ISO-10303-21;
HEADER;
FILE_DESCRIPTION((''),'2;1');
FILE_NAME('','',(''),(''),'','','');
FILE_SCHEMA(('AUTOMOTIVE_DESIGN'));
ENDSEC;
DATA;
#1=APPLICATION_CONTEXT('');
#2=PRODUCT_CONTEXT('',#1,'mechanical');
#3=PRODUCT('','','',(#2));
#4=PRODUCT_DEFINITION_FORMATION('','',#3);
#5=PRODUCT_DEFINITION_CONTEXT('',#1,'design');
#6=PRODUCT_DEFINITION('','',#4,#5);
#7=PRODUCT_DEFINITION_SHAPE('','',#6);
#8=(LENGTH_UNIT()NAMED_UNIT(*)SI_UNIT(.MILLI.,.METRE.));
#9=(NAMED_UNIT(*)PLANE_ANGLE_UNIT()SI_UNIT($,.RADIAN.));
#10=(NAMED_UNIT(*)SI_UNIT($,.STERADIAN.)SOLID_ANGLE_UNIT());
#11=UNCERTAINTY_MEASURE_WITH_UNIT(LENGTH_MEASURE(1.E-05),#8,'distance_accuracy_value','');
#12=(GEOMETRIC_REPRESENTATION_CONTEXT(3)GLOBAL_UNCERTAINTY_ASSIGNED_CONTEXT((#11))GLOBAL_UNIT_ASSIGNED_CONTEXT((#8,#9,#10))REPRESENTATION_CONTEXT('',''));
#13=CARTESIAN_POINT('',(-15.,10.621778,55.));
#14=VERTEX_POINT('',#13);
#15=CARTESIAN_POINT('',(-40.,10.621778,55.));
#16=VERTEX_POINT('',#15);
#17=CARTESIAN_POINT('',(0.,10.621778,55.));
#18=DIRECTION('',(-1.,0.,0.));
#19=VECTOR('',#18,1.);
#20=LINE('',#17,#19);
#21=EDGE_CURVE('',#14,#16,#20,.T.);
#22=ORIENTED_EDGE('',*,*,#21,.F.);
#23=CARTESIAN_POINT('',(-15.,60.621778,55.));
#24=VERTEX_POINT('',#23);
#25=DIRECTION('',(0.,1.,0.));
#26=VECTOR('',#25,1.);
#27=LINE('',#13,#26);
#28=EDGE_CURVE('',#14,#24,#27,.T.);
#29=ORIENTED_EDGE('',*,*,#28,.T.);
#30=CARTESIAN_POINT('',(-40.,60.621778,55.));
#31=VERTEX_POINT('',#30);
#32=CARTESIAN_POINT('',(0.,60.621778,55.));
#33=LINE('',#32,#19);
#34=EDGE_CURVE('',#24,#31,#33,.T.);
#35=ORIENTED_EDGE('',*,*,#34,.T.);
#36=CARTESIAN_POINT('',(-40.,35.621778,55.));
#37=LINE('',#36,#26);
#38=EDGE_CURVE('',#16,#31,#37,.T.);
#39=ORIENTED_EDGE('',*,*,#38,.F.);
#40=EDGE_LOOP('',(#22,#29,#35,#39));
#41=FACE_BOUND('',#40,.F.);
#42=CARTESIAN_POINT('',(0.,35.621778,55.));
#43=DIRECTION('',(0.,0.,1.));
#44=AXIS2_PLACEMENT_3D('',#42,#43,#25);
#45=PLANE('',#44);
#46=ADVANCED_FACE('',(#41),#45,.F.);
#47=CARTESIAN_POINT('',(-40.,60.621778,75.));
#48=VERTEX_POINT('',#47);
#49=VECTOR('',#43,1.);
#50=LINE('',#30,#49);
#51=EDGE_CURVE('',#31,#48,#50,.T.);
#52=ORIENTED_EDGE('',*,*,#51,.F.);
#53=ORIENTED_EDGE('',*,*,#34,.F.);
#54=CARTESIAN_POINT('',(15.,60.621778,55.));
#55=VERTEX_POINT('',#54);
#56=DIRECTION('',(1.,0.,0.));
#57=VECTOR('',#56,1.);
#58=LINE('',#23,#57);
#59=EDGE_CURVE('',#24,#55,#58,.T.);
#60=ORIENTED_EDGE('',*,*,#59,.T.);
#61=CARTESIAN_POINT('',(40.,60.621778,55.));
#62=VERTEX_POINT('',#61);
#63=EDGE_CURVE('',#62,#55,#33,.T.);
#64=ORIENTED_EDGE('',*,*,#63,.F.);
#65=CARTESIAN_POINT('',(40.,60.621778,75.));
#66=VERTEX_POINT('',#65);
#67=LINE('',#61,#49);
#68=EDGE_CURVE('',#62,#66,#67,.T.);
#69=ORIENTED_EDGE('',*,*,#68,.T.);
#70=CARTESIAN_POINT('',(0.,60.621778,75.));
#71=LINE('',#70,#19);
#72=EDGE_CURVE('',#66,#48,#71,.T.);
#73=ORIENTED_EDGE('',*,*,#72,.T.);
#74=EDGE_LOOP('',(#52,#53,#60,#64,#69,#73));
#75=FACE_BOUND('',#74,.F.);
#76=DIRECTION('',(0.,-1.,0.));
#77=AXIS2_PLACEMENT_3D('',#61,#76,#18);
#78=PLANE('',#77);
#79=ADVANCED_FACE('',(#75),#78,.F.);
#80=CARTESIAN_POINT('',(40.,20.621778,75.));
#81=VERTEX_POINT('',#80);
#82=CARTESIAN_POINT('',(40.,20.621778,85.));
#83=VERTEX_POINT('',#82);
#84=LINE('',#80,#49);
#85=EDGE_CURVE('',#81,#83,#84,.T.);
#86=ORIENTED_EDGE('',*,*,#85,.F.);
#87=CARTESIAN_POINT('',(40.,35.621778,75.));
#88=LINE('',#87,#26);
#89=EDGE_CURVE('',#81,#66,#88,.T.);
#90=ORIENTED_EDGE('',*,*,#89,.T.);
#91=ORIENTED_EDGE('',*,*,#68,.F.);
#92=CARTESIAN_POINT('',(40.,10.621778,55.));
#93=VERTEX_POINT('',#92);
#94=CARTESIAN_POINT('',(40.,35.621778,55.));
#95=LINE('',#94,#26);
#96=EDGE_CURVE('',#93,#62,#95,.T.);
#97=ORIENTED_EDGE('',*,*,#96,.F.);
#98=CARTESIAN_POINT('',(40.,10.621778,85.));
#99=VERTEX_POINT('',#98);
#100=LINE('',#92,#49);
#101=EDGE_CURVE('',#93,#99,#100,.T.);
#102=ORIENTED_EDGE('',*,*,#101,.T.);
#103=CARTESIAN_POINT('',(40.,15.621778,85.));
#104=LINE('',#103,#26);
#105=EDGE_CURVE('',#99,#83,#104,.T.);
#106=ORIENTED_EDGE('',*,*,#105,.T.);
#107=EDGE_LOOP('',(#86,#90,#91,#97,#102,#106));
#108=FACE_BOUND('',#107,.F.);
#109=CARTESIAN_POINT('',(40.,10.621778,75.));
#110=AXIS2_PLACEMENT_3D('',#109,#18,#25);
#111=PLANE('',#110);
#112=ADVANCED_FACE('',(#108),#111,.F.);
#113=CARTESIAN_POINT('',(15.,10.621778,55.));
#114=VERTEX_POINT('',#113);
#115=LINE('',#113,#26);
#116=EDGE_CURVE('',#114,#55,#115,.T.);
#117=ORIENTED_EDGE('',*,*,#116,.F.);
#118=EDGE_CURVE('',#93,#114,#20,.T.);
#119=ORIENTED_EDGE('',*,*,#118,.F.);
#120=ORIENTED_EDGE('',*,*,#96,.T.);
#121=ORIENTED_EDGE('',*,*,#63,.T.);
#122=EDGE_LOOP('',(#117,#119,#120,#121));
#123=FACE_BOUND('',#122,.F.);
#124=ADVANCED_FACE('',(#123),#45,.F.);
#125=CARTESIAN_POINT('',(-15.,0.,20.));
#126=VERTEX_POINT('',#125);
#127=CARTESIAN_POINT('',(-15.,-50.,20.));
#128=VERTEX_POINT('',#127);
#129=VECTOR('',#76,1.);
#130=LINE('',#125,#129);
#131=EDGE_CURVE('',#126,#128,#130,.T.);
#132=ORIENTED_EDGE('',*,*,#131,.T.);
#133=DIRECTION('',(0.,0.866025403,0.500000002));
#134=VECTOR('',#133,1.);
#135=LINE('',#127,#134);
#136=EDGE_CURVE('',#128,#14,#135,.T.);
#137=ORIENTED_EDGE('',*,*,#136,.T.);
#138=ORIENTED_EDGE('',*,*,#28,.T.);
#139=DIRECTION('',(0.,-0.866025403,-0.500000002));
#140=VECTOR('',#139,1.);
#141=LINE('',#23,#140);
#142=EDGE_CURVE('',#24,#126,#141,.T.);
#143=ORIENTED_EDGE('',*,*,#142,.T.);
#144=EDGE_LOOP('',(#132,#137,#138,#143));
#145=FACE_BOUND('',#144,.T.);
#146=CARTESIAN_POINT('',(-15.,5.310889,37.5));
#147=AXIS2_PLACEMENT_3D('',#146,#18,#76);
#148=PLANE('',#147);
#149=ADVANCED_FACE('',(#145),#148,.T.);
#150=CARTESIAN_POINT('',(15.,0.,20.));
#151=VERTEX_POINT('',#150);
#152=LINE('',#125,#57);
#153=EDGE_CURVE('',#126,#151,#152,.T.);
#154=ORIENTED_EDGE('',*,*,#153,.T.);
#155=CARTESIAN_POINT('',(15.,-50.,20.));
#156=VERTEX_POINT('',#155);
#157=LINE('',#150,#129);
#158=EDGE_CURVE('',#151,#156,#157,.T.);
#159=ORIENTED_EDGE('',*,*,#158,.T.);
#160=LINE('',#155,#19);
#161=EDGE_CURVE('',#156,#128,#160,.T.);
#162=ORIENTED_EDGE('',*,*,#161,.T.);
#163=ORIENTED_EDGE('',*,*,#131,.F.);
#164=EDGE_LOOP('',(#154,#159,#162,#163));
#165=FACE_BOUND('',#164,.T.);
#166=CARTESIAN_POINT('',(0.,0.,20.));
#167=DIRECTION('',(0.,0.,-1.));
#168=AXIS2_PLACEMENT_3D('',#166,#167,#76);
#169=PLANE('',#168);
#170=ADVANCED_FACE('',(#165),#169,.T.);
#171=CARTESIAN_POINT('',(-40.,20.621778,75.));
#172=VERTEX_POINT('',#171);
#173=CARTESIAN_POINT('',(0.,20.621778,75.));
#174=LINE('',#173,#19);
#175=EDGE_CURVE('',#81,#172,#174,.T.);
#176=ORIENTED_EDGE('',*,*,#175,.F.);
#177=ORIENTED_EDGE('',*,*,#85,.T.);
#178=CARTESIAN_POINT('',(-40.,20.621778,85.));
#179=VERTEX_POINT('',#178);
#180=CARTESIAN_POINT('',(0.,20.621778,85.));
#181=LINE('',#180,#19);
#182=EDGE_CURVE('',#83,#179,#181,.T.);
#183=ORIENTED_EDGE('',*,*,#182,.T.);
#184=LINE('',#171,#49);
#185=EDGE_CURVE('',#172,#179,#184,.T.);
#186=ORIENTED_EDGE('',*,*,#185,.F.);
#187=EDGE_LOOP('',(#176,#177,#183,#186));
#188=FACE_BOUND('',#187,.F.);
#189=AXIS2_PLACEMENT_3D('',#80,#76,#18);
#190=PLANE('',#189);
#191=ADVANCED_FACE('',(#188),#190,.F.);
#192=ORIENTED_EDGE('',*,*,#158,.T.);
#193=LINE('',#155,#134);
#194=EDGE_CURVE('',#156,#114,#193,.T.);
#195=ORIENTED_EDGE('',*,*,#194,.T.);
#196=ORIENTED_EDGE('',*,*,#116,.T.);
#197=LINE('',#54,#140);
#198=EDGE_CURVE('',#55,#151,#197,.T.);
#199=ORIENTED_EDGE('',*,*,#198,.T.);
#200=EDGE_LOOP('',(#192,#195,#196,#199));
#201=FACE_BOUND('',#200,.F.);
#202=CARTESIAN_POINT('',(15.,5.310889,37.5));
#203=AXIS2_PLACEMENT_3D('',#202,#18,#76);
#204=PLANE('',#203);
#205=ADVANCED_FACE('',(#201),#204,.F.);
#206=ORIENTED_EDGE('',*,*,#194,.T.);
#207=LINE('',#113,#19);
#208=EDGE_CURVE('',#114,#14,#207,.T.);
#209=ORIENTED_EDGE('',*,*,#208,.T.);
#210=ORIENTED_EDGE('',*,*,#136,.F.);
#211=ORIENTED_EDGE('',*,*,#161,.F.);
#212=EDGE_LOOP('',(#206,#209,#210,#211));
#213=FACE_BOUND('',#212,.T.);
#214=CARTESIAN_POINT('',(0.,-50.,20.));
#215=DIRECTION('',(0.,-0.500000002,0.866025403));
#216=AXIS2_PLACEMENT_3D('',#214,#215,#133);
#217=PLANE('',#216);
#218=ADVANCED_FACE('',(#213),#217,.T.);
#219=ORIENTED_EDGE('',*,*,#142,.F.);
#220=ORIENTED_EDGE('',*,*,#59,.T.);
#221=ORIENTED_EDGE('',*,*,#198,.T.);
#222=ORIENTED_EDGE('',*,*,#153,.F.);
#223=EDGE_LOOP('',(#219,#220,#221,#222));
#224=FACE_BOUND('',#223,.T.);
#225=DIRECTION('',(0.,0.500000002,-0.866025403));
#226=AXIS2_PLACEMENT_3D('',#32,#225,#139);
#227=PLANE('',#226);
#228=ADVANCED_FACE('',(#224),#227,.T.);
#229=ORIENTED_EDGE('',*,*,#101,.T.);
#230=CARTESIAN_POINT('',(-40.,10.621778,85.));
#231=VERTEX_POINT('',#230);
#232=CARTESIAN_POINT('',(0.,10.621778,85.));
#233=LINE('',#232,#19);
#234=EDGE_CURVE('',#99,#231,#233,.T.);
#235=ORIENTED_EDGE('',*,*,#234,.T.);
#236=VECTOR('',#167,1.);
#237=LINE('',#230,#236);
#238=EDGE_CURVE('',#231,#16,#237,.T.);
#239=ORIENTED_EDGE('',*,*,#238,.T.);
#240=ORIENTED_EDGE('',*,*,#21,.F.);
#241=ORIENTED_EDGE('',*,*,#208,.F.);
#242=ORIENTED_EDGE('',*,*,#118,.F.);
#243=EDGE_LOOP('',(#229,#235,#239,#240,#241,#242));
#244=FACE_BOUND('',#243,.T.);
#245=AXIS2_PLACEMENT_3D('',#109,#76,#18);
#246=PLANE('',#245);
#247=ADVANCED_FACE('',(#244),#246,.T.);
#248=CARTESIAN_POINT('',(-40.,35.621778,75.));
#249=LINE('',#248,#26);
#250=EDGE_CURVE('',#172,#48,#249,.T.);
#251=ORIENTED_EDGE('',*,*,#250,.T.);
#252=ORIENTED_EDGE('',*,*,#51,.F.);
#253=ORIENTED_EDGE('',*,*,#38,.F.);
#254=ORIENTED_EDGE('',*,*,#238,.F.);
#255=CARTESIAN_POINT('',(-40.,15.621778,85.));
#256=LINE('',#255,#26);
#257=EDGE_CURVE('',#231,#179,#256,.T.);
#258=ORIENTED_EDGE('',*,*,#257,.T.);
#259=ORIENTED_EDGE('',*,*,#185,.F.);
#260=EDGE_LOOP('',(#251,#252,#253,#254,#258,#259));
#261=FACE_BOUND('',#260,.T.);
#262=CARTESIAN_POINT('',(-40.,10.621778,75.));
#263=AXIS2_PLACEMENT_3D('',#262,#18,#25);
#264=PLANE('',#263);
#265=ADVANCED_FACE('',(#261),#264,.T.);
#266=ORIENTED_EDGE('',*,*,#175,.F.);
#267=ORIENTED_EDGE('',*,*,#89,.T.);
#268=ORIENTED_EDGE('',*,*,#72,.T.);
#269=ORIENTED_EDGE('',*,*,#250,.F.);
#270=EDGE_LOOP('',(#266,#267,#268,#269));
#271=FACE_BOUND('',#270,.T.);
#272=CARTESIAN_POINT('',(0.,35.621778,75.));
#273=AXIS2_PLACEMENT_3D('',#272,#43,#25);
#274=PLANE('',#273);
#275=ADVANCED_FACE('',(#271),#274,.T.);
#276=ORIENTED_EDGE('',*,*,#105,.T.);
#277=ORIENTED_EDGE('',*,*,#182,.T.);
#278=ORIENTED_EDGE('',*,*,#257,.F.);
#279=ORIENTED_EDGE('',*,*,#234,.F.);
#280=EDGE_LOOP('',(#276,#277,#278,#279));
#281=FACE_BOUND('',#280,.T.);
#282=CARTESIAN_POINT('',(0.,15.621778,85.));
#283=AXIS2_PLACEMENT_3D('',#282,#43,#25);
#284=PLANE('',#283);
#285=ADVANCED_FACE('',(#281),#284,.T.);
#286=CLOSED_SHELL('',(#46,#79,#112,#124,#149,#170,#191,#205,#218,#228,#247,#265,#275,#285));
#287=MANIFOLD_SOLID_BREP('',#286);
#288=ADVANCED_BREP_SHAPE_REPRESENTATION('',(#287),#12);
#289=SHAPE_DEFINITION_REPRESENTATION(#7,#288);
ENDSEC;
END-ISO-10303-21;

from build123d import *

# Parameters (mm, degrees)
PAD001_DEPTH = 15
SKETCH002_W  = 50
SKETCH002_H  = 80
PAD002_DEPTH = 20
SKETCH003_W  = 10
SKETCH003_H  = 80
PAD003_DEPTH = 10


with BuildPart() as part:
    # Sketch001 → Pad001 (new body, symmetric)
    with BuildSketch(Plane(origin=(0, 0, 0), x_dir=(0, -1, 0), z_dir=(-1, 0, 0))):
        Polygon((0, 20), (50, 20), (-10.621778, 55), (-60.621778, 55), align=None)
    extrude(amount=PAD001_DEPTH, both=True)

    # Sketch002 → Pad002 (new body)
    with BuildSketch(Plane(origin=(0, 0, 55), x_dir=(0, 1, 0), z_dir=(0, 0, 1))):
        with Locations((35.621778, 0)):
            Rectangle(SKETCH002_W, SKETCH002_H)
    extrude(amount=PAD002_DEPTH)

    # Sketch003 → Pad003 (new body)
    with BuildSketch(Plane(origin=(0, 0, 75), x_dir=(0, 1, 0), z_dir=(0, 0, 1))):
        with Locations((15.621778, 0)):
            Rectangle(SKETCH003_W, SKETCH003_H)
    extrude(amount=PAD003_DEPTH)


solid = part.part
